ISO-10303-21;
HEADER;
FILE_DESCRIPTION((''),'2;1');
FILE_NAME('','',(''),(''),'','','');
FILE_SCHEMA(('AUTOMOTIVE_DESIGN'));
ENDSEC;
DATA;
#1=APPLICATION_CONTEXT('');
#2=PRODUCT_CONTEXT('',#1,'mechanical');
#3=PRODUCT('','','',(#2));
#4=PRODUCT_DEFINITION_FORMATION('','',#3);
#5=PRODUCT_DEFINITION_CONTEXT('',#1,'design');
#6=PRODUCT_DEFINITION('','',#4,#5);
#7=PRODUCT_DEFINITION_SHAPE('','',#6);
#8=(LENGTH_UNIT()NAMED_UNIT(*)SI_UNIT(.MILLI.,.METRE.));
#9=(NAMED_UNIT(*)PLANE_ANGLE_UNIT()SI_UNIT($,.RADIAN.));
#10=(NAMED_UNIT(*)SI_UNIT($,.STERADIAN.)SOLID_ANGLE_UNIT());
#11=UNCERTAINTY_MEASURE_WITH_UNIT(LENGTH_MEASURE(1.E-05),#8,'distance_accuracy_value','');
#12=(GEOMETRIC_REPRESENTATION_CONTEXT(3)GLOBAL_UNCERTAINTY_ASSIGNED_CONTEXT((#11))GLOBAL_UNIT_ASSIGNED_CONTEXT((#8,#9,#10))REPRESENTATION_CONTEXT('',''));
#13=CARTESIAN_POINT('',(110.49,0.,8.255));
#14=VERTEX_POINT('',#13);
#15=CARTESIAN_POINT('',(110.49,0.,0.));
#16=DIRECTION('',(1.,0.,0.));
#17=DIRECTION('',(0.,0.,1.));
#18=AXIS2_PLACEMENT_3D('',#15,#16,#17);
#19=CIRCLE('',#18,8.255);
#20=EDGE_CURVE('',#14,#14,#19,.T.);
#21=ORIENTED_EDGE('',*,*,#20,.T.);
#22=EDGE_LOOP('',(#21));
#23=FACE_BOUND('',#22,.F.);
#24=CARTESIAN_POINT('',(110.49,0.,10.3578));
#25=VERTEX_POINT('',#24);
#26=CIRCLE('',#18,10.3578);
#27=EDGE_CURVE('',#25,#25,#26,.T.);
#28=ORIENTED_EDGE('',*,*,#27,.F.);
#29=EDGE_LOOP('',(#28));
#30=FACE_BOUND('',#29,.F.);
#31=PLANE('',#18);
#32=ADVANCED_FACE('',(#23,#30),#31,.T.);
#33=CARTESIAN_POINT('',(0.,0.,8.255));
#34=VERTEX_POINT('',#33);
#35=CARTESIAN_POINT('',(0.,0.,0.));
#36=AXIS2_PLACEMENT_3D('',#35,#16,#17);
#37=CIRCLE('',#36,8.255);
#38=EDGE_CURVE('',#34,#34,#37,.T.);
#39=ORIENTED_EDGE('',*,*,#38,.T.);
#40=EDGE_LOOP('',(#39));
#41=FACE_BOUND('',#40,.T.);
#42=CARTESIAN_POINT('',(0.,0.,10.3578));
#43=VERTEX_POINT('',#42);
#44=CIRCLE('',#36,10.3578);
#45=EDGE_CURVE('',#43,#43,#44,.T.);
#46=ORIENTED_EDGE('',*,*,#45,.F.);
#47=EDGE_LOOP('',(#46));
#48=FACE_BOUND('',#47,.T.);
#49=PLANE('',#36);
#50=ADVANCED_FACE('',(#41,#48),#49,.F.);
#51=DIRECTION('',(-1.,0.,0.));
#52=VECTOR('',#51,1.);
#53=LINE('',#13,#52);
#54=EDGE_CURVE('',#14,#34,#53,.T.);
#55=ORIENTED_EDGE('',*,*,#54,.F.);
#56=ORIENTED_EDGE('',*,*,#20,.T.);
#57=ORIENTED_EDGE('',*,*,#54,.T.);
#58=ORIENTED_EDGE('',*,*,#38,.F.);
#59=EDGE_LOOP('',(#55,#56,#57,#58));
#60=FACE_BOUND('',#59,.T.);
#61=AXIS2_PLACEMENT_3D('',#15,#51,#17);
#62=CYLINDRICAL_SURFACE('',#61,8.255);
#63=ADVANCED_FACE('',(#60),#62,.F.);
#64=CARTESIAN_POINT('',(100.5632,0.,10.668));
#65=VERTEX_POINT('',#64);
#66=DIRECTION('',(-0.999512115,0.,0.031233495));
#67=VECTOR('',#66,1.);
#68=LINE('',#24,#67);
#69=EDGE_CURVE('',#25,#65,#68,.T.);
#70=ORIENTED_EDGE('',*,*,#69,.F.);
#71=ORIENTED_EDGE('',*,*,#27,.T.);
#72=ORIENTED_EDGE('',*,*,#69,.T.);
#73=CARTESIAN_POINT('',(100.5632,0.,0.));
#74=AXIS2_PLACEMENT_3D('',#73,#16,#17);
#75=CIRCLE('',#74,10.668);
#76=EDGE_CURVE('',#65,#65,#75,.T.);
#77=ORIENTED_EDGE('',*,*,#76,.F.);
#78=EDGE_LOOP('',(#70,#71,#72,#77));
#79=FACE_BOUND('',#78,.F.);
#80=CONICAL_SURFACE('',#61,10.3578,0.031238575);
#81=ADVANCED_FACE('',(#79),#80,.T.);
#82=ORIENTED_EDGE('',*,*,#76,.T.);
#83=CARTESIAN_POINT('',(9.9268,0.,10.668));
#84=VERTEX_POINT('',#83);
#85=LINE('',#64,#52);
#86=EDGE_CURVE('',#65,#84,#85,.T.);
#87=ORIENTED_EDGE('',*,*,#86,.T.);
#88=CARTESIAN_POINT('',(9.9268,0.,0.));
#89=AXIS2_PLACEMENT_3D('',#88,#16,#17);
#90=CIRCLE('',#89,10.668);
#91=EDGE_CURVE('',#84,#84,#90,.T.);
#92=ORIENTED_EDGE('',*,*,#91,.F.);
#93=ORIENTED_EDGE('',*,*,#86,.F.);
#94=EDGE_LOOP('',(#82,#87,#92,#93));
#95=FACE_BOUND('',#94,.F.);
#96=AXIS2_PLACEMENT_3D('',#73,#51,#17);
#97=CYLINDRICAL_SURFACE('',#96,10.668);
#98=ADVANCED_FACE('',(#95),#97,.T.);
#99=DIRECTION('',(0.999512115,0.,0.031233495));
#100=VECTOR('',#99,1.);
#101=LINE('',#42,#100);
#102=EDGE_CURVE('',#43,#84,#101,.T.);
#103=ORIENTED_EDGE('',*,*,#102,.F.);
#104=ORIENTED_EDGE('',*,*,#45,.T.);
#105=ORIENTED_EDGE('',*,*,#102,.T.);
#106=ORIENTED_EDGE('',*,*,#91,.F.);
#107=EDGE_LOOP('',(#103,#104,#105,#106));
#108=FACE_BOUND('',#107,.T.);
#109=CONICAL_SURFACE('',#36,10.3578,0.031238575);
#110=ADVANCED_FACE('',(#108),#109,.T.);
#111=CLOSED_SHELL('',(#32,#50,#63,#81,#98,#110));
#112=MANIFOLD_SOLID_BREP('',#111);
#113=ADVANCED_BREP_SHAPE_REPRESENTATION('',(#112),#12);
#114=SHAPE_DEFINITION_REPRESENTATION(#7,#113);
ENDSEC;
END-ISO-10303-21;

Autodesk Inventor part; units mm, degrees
ref_plane "YZ Plane" through (0, 0, 0) normal (1, 0, 0) x (0, 1, 0)
ref_plane "XZ Plane" through (0, 0, 0) normal (0, 1, 0) x (-1, 0, 0)
ref_plane "XY Plane" through (0, 0, 0) normal (0, 0, 1) x (1, 0, 0)
sketch "Sketch1" plane through (0, 0, 0) normal (0, 1, 0) x (-1, 0, 0)
  line L0 (0, 0) -> (-110.49, 0)
  line L1 (-110.49, 0) -> (-110.49, 8.255) construction
  line L2 (-110.49, 8.255) -> (-110.49, 10.3578)
  line L3 (-110.49, 10.3578) -> (-100.5632, 10.668)
  line L4 (-100.5632, 10.668) -> (-9.9268, 10.668)
  line L5 (-55.245, 0) -> (-55.245, 10.668) construction
  line L6 (-110.49, 8.255) -> (0, 8.255)
  line L7 (0, 0) -> (0, 8.255) construction
  line L8 (0, 8.255) -> (0, 10.3578)
  line L9 (0, 10.3578) -> (-9.9268, 10.668)
  line L10 (-96.934, 10.7814) -> (-96.934, 0) construction
  line L11 (-13.556, 10.7814) -> (-13.556, 0) construction
  line L12 (-100.5632, 10.668) -> (-96.934, 10.7814) construction
  line L13 (-100.5632, 10.668) -> (-100.5632, 0) construction
  line L14 (-9.9268, 10.668) -> (-13.556, 10.7814) construction
  line L15 (-9.9268, 10.668) -> (-9.9268, 0) construction
  dimension "d0" = 21.336
  dimension "d1" = 1.79
  dimension "d2" = 16.51
  dimension "d3" = 110.49
  dimension "d4" = 13.556
  dimension "d5" = 21.5628
revolve "Revolution1" add sketch "Sketch1" angle 360 about axis through (0, 0, 0) along (1, 0, 0)
thread "Thread1" size "1/2" designation "1/2 - 14 NPT" standard "NPT" full length
thread "Thread2" size "1/2" designation "1/2 - 14 NPT" standard "NPT" full length
equation "\"d0\" = OD"
equation "\"d2\" = ID"
equation "\"d3\" = L"
equation "\"d4\" = L2"
equation "\"d5\" = D2"
equation "\"OD\" = 21.336"
equation "\"t\" = 2.413"
equation "\"L\" = PL"
equation "\"L4\" = 19.8501"
equation "\"ID\" = 16.51"
equation "\"PL\" = 110.49"
equation "\"D2\" = 21.56282"
equation "\"L2\" = 13.55598"
equation "\"Size_Designation\" = 1.2345"
equation "\"PLmin\" = 2 * L2"
properties material "Steel, Wrought"
